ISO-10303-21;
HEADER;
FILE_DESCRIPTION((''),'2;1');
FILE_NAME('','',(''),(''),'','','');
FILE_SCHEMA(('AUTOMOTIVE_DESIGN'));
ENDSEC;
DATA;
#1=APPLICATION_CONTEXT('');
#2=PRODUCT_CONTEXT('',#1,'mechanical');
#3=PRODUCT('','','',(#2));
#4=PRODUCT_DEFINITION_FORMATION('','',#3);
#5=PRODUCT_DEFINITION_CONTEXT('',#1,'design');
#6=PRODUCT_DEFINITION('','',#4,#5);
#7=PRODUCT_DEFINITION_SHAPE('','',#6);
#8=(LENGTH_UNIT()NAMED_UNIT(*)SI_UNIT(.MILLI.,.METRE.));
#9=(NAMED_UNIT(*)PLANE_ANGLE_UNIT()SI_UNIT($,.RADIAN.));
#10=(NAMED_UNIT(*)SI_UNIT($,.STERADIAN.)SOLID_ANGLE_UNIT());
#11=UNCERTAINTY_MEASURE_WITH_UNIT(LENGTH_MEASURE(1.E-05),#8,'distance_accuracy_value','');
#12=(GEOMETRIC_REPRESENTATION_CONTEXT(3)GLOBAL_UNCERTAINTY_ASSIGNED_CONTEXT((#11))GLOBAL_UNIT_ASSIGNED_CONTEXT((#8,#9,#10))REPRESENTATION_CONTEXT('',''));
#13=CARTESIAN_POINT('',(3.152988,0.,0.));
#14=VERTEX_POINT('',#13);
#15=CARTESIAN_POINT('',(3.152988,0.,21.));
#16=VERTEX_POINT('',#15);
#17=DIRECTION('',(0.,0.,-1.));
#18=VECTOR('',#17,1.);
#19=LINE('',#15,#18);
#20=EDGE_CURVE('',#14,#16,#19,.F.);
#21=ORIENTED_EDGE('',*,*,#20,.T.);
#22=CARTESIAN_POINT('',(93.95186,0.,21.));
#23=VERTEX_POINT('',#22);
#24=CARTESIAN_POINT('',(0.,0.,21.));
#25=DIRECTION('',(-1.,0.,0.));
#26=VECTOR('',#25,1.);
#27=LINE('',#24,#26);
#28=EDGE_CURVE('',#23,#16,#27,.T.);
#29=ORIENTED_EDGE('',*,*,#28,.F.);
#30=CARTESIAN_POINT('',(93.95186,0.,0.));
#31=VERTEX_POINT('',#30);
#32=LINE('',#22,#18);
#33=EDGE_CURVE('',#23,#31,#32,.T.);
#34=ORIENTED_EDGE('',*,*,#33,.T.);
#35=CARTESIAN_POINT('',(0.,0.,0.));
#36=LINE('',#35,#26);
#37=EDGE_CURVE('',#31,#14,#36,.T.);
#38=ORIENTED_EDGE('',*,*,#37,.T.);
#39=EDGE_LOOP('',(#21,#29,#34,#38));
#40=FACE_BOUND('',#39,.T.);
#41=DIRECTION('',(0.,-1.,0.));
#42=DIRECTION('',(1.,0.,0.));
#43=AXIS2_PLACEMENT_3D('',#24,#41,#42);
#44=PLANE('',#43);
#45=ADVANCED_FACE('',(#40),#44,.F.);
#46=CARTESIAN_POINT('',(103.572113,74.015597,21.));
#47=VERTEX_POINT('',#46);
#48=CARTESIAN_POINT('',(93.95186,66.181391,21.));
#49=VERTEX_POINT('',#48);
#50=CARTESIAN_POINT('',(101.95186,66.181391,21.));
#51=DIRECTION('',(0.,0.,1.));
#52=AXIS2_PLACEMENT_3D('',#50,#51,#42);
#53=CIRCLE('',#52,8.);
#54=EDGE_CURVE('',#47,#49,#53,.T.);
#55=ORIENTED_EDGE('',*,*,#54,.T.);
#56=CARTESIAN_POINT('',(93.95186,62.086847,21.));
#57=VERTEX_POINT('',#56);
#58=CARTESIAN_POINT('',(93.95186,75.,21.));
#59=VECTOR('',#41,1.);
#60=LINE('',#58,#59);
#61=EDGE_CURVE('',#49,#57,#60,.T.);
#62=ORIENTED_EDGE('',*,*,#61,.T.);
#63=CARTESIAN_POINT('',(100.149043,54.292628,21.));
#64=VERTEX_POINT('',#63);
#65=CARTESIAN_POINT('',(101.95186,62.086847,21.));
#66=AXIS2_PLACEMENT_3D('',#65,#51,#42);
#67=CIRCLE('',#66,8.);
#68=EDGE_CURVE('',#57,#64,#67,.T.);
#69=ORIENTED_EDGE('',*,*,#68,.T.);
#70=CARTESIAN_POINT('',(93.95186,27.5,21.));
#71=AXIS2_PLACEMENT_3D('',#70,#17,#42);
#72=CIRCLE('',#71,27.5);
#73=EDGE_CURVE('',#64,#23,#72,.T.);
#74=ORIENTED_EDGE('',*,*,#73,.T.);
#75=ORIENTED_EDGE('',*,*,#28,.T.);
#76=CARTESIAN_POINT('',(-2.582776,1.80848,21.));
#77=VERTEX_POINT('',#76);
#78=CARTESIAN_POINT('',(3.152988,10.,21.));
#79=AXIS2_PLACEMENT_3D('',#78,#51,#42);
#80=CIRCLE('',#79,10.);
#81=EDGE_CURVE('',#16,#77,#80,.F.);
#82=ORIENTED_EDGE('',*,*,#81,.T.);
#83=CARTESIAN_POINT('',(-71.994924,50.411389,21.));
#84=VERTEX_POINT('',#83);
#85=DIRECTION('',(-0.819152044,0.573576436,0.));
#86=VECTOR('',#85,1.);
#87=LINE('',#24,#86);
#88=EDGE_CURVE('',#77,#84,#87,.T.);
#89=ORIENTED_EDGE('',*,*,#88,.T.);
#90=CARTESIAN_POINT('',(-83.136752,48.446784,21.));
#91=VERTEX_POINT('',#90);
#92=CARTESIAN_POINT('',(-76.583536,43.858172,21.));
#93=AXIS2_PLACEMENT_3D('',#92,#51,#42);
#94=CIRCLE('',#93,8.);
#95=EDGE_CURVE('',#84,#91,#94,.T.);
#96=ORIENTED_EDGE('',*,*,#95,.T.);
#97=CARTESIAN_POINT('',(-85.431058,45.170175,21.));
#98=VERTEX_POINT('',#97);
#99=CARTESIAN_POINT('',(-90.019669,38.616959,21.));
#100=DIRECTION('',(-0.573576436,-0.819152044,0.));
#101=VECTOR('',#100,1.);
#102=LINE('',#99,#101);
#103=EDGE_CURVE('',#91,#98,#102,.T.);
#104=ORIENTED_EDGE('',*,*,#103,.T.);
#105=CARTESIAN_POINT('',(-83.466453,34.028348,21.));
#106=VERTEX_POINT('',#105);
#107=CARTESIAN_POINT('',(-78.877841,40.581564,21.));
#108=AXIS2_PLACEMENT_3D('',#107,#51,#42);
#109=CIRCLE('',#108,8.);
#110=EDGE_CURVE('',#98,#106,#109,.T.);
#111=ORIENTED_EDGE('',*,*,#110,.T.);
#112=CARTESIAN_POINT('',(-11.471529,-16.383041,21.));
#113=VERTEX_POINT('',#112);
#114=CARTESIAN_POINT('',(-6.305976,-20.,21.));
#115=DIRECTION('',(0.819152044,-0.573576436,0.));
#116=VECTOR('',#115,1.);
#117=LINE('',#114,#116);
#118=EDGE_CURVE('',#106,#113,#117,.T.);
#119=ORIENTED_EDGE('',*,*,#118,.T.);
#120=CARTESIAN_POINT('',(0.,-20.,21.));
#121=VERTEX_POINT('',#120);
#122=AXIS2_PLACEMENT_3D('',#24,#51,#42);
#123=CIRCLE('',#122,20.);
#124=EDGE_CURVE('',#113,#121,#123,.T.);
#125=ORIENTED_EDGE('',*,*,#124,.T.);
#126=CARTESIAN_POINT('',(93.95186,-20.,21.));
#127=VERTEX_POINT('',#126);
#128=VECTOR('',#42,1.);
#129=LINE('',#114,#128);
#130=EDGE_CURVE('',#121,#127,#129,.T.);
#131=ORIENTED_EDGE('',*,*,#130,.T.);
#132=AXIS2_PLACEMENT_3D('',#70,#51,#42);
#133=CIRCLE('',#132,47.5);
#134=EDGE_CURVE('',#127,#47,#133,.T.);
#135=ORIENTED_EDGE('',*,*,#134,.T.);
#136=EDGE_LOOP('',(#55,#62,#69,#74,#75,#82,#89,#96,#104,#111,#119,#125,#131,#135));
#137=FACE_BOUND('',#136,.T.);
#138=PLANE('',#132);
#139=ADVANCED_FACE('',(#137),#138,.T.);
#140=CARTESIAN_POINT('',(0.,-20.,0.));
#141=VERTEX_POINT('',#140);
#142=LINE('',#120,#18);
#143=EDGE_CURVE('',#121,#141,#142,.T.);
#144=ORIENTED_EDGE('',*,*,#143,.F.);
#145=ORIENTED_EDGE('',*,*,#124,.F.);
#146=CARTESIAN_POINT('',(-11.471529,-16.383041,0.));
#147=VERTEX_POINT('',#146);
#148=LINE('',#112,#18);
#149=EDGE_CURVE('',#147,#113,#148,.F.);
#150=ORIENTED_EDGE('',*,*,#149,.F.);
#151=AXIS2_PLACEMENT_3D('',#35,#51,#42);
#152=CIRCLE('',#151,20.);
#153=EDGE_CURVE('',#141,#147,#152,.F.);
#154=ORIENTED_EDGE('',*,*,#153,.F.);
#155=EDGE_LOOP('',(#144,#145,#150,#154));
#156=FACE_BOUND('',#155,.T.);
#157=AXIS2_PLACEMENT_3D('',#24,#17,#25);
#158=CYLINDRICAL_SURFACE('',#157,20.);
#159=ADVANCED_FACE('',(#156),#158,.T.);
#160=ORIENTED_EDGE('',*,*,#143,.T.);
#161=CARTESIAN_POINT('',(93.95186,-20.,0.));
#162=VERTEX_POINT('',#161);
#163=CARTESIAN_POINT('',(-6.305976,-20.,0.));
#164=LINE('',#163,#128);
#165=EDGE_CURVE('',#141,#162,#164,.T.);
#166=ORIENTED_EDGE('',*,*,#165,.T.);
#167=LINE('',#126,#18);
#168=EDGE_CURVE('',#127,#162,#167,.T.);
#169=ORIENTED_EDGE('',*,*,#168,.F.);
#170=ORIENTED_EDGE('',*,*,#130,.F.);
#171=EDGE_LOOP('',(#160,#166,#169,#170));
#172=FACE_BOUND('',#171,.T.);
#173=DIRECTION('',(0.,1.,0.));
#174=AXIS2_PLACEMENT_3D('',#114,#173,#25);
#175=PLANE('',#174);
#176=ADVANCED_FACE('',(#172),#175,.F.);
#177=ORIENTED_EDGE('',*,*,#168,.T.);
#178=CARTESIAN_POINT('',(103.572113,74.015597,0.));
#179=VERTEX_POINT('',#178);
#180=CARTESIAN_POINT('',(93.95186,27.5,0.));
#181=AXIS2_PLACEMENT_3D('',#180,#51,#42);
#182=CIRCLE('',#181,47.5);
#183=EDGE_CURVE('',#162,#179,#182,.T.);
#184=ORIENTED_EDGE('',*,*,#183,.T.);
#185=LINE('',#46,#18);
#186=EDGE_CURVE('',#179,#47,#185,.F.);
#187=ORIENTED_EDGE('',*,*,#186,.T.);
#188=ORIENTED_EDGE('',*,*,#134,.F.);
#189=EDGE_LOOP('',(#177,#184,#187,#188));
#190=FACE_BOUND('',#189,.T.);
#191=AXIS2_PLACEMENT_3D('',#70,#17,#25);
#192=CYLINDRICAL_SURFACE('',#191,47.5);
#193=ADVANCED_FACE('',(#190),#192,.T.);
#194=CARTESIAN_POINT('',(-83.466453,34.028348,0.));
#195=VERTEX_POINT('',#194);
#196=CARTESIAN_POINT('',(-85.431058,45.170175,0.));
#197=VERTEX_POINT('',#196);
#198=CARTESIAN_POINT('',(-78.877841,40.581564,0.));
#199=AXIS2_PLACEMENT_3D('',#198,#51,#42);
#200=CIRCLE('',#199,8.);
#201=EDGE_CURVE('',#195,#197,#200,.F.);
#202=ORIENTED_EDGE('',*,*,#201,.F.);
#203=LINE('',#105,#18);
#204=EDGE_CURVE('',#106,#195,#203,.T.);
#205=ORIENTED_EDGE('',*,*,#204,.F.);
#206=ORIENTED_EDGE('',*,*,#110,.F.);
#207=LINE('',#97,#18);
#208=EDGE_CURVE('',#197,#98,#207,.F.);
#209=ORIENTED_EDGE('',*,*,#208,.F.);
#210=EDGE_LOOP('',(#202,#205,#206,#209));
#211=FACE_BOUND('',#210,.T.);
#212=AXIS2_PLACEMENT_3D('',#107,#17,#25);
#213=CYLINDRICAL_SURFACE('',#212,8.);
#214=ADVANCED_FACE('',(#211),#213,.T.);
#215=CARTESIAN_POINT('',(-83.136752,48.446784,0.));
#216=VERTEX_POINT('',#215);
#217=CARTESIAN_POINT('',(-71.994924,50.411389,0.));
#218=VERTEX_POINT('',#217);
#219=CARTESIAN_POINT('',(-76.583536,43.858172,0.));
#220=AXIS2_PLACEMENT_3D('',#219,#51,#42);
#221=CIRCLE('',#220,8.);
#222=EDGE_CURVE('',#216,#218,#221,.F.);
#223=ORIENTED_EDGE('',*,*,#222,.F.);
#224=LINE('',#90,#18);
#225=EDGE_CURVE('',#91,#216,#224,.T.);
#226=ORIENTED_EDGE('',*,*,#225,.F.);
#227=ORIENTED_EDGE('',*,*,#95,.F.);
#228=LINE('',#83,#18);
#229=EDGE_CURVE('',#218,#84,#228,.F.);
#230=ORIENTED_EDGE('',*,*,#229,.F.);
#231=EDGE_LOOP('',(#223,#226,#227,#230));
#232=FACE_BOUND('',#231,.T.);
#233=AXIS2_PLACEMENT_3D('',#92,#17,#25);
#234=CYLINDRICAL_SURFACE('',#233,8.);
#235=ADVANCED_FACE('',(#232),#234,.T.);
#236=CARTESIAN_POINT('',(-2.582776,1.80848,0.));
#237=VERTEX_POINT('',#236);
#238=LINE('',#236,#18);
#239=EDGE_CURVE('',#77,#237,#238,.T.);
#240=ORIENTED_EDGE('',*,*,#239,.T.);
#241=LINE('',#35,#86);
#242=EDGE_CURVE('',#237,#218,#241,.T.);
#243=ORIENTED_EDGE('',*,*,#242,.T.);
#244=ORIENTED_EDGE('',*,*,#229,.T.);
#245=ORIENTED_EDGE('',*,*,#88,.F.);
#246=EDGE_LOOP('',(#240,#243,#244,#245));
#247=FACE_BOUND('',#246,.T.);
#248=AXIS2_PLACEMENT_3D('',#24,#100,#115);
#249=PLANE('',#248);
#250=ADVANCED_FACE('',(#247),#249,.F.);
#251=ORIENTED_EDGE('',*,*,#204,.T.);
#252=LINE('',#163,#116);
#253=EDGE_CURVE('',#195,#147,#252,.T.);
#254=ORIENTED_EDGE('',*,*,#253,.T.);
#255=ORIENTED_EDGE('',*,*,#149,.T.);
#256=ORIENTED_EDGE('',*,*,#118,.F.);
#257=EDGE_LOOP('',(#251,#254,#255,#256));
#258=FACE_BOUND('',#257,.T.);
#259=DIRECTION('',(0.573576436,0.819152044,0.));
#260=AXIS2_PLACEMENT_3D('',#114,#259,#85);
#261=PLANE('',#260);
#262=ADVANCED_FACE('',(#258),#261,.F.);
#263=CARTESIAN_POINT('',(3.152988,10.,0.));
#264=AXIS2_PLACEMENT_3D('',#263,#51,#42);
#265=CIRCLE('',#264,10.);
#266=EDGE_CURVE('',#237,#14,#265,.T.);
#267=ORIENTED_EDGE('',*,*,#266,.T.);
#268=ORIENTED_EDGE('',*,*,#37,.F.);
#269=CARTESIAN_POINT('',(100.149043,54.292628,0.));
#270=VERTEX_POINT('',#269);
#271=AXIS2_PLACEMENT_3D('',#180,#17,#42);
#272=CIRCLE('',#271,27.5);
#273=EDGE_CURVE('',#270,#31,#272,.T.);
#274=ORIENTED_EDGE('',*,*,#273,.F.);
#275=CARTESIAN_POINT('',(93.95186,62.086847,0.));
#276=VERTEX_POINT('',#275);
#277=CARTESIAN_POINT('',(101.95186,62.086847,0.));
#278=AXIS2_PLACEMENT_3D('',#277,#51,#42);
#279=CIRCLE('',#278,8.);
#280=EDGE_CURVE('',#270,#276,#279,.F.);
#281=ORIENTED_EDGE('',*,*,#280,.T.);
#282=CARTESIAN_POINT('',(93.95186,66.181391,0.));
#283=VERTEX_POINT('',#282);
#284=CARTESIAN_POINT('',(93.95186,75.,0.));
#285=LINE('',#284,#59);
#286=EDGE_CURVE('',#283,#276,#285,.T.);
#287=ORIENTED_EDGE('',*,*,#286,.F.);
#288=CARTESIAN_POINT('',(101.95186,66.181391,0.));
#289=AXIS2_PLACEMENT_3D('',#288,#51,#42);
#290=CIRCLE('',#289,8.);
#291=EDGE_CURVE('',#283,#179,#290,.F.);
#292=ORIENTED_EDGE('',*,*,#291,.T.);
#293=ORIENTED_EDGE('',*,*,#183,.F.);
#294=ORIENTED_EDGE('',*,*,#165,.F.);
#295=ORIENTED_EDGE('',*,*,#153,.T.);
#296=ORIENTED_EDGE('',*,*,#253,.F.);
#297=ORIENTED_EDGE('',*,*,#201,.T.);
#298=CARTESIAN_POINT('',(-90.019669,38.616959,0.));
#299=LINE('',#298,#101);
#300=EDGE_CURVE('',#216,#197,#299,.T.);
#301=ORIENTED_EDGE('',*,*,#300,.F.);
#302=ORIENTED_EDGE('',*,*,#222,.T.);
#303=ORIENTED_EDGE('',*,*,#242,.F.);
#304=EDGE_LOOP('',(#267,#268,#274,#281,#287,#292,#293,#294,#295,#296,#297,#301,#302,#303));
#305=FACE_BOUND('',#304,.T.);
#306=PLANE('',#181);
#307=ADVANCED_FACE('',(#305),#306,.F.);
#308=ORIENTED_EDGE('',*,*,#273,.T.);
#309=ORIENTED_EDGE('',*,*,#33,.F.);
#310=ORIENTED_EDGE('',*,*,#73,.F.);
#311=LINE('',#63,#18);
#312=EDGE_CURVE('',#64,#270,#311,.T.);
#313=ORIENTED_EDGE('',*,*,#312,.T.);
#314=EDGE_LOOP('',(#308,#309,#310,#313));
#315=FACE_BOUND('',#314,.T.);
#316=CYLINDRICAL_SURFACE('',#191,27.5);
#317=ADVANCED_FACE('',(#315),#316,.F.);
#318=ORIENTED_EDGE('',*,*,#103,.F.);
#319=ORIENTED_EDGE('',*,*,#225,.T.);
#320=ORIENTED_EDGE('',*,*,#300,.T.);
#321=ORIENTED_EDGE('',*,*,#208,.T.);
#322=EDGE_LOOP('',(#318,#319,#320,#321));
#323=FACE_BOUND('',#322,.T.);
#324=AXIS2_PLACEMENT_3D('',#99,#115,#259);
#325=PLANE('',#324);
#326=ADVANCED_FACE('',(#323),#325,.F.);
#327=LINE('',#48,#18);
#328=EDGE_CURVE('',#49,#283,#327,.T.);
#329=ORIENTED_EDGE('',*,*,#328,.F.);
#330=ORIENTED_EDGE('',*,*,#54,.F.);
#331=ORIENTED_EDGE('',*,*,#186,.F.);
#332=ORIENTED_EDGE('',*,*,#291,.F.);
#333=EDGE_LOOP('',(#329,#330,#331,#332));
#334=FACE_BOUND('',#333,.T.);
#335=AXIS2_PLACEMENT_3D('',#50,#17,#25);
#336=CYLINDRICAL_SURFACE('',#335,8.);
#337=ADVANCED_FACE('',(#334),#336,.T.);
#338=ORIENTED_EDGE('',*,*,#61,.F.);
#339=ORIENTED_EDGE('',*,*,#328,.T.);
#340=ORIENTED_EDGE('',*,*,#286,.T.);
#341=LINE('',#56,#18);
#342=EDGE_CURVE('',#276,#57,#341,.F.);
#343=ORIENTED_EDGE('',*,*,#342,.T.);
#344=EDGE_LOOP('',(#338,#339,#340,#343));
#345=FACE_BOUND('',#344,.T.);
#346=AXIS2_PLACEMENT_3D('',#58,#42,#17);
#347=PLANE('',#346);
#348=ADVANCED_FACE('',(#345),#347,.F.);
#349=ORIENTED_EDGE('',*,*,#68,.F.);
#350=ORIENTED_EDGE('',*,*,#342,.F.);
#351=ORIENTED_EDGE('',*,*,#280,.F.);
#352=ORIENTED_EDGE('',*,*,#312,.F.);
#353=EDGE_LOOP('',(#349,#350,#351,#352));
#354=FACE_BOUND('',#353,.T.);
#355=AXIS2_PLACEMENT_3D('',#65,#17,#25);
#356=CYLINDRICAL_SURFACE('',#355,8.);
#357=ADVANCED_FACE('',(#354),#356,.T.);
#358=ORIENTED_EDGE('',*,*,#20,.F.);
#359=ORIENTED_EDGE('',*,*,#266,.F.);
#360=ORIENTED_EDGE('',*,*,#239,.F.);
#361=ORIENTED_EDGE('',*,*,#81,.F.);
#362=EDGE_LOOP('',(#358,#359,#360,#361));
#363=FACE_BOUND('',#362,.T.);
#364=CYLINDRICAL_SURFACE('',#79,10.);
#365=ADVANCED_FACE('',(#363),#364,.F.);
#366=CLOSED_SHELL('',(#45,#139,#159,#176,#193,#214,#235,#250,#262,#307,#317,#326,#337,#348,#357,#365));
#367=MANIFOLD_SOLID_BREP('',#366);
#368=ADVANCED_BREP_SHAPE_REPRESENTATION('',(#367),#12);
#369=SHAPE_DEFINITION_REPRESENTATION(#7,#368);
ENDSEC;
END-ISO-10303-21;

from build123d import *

# Parameters (mm, degrees)
BOSS_EXTRU_1_DEPTH = 21
CONG_1_R           = 8
CONG_2_R           = 20
CONG_3_R           = 10


with BuildPart() as part:
    # Esquisse2 → Boss.-Extru.1 (new body)
    with BuildSketch(Plane.XY):
        with BuildLine():
            Line((0, 0), (93.951859629, 0))
            ThreePointArc((93.951859629, 0), (121.451859629, 27.5), (93.951859629, 55))
            Line((93.951859629, 55), (93.951859629, 75))
            ThreePointArc((93.951859629, 75), (141.451859629, 27.5), (93.951859629, -20))
            Line((93.951859629, -20), (-6.305975778, -20))
            Line((-6.305975778, -20), (-90.019669098, 38.616959114))
            Line((-90.019669098, 38.616959114), (-78.548140371, 55))
            Line((-78.548140371, 55), (0, 0))
        make_face()
    extrude(amount=BOSS_EXTRU_1_DEPTH)

    # Congé1
    cong_1_edges = [part.edges().sort_by_distance(p)[0] for p in [
        (93.951859629, 55, 10.5),
        (93.951859629, 75, 10.5),
        (-90.019669098, 38.616959114, 10.5),
        (-78.548140371, 55, 10.5),
    ]]
    fillet(cong_1_edges, radius=CONG_1_R)

    # Congé2
    cong_2_edges = [part.edges().sort_by_distance(p)[0] for p in [
        (-6.305975778, -20, 10.5),
    ]]
    fillet(cong_2_edges, radius=CONG_2_R)

    # Congé3
    cong_3_edges = [part.edges().sort_by_distance(p)[0] for p in [
        (0, 0, 10.5),
    ]]
    fillet(cong_3_edges, radius=CONG_3_R)


solid = part.part
